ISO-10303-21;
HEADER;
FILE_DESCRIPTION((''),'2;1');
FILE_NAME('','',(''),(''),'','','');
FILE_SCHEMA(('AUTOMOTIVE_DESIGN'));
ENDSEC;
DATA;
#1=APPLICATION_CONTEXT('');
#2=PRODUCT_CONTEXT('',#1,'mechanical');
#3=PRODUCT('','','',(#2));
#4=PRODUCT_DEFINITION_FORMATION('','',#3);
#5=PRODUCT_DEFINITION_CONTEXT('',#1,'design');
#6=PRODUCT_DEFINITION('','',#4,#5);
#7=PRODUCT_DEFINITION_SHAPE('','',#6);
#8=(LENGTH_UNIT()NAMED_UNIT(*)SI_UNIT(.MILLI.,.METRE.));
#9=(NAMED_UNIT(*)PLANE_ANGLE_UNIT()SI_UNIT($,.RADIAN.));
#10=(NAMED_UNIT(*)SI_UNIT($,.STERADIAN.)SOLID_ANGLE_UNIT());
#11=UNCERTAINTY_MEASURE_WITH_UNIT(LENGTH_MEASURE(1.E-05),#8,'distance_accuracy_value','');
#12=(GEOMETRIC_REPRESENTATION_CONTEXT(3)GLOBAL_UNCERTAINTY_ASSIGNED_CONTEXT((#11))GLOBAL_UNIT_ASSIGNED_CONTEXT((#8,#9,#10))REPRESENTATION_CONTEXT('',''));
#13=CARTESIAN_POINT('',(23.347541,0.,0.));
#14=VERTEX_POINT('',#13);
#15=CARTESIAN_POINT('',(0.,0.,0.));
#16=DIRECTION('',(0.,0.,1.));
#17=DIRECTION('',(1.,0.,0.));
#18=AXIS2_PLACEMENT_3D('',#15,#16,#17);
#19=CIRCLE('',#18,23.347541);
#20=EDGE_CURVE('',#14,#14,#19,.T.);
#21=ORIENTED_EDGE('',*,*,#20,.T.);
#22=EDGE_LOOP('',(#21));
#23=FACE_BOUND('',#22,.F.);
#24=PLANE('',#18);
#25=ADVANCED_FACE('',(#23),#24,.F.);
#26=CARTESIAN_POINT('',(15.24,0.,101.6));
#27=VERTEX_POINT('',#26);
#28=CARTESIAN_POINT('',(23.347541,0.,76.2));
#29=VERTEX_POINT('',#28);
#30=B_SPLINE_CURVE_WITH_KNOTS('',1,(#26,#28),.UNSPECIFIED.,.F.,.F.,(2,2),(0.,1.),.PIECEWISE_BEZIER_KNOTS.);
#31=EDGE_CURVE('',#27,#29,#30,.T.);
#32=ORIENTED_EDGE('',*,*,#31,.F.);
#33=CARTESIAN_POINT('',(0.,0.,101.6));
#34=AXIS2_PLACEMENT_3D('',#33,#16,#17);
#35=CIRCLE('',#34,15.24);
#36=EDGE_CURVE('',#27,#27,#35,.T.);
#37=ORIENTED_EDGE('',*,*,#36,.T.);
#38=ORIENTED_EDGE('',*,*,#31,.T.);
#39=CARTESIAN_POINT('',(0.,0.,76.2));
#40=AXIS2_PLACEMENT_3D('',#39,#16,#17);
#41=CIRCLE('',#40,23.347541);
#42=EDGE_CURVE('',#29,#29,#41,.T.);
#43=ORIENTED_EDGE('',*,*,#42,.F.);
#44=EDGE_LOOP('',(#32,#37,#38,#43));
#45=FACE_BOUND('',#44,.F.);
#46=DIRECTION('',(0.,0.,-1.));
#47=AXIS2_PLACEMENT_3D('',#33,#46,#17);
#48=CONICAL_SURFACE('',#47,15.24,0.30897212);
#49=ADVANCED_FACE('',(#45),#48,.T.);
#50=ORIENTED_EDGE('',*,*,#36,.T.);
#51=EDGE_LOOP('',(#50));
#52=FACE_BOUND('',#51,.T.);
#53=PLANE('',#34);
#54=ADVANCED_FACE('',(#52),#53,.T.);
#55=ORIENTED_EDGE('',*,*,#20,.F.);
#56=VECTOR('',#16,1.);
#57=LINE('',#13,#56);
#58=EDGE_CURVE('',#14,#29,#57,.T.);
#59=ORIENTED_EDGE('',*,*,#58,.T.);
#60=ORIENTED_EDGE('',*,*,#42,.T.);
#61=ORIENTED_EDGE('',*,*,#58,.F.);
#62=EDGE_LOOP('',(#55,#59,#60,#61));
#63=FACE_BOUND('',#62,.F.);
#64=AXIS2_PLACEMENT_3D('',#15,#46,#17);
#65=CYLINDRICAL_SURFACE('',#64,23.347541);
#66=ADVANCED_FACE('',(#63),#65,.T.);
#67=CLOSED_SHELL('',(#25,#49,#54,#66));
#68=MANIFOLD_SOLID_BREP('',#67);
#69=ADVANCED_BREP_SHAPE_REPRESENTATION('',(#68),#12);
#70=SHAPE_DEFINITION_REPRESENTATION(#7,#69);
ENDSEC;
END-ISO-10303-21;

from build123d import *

# Parameters (mm, degrees)
F0_R      = 23.347541
F1_DEPTH  = 76.2
F3_R      = 15.24
F1_FACE_R = 23.347541


with BuildPart() as f1:
    # F0 (on Top) → F1 (new body)
    with BuildSketch(Plane.XY):
        Circle(F0_R)
    extrude(amount=F1_DEPTH)

    # F3 (on offset) → F4 section 0
    with BuildSketch(Plane.XY.offset(101.6)):
        Circle(F3_R)
    # F1_face (on face) → F4 section 1
    with BuildSketch(Plane.XY.offset(76.2)):
        Circle(F1_FACE_R)
    loft()


solid = f1.part
